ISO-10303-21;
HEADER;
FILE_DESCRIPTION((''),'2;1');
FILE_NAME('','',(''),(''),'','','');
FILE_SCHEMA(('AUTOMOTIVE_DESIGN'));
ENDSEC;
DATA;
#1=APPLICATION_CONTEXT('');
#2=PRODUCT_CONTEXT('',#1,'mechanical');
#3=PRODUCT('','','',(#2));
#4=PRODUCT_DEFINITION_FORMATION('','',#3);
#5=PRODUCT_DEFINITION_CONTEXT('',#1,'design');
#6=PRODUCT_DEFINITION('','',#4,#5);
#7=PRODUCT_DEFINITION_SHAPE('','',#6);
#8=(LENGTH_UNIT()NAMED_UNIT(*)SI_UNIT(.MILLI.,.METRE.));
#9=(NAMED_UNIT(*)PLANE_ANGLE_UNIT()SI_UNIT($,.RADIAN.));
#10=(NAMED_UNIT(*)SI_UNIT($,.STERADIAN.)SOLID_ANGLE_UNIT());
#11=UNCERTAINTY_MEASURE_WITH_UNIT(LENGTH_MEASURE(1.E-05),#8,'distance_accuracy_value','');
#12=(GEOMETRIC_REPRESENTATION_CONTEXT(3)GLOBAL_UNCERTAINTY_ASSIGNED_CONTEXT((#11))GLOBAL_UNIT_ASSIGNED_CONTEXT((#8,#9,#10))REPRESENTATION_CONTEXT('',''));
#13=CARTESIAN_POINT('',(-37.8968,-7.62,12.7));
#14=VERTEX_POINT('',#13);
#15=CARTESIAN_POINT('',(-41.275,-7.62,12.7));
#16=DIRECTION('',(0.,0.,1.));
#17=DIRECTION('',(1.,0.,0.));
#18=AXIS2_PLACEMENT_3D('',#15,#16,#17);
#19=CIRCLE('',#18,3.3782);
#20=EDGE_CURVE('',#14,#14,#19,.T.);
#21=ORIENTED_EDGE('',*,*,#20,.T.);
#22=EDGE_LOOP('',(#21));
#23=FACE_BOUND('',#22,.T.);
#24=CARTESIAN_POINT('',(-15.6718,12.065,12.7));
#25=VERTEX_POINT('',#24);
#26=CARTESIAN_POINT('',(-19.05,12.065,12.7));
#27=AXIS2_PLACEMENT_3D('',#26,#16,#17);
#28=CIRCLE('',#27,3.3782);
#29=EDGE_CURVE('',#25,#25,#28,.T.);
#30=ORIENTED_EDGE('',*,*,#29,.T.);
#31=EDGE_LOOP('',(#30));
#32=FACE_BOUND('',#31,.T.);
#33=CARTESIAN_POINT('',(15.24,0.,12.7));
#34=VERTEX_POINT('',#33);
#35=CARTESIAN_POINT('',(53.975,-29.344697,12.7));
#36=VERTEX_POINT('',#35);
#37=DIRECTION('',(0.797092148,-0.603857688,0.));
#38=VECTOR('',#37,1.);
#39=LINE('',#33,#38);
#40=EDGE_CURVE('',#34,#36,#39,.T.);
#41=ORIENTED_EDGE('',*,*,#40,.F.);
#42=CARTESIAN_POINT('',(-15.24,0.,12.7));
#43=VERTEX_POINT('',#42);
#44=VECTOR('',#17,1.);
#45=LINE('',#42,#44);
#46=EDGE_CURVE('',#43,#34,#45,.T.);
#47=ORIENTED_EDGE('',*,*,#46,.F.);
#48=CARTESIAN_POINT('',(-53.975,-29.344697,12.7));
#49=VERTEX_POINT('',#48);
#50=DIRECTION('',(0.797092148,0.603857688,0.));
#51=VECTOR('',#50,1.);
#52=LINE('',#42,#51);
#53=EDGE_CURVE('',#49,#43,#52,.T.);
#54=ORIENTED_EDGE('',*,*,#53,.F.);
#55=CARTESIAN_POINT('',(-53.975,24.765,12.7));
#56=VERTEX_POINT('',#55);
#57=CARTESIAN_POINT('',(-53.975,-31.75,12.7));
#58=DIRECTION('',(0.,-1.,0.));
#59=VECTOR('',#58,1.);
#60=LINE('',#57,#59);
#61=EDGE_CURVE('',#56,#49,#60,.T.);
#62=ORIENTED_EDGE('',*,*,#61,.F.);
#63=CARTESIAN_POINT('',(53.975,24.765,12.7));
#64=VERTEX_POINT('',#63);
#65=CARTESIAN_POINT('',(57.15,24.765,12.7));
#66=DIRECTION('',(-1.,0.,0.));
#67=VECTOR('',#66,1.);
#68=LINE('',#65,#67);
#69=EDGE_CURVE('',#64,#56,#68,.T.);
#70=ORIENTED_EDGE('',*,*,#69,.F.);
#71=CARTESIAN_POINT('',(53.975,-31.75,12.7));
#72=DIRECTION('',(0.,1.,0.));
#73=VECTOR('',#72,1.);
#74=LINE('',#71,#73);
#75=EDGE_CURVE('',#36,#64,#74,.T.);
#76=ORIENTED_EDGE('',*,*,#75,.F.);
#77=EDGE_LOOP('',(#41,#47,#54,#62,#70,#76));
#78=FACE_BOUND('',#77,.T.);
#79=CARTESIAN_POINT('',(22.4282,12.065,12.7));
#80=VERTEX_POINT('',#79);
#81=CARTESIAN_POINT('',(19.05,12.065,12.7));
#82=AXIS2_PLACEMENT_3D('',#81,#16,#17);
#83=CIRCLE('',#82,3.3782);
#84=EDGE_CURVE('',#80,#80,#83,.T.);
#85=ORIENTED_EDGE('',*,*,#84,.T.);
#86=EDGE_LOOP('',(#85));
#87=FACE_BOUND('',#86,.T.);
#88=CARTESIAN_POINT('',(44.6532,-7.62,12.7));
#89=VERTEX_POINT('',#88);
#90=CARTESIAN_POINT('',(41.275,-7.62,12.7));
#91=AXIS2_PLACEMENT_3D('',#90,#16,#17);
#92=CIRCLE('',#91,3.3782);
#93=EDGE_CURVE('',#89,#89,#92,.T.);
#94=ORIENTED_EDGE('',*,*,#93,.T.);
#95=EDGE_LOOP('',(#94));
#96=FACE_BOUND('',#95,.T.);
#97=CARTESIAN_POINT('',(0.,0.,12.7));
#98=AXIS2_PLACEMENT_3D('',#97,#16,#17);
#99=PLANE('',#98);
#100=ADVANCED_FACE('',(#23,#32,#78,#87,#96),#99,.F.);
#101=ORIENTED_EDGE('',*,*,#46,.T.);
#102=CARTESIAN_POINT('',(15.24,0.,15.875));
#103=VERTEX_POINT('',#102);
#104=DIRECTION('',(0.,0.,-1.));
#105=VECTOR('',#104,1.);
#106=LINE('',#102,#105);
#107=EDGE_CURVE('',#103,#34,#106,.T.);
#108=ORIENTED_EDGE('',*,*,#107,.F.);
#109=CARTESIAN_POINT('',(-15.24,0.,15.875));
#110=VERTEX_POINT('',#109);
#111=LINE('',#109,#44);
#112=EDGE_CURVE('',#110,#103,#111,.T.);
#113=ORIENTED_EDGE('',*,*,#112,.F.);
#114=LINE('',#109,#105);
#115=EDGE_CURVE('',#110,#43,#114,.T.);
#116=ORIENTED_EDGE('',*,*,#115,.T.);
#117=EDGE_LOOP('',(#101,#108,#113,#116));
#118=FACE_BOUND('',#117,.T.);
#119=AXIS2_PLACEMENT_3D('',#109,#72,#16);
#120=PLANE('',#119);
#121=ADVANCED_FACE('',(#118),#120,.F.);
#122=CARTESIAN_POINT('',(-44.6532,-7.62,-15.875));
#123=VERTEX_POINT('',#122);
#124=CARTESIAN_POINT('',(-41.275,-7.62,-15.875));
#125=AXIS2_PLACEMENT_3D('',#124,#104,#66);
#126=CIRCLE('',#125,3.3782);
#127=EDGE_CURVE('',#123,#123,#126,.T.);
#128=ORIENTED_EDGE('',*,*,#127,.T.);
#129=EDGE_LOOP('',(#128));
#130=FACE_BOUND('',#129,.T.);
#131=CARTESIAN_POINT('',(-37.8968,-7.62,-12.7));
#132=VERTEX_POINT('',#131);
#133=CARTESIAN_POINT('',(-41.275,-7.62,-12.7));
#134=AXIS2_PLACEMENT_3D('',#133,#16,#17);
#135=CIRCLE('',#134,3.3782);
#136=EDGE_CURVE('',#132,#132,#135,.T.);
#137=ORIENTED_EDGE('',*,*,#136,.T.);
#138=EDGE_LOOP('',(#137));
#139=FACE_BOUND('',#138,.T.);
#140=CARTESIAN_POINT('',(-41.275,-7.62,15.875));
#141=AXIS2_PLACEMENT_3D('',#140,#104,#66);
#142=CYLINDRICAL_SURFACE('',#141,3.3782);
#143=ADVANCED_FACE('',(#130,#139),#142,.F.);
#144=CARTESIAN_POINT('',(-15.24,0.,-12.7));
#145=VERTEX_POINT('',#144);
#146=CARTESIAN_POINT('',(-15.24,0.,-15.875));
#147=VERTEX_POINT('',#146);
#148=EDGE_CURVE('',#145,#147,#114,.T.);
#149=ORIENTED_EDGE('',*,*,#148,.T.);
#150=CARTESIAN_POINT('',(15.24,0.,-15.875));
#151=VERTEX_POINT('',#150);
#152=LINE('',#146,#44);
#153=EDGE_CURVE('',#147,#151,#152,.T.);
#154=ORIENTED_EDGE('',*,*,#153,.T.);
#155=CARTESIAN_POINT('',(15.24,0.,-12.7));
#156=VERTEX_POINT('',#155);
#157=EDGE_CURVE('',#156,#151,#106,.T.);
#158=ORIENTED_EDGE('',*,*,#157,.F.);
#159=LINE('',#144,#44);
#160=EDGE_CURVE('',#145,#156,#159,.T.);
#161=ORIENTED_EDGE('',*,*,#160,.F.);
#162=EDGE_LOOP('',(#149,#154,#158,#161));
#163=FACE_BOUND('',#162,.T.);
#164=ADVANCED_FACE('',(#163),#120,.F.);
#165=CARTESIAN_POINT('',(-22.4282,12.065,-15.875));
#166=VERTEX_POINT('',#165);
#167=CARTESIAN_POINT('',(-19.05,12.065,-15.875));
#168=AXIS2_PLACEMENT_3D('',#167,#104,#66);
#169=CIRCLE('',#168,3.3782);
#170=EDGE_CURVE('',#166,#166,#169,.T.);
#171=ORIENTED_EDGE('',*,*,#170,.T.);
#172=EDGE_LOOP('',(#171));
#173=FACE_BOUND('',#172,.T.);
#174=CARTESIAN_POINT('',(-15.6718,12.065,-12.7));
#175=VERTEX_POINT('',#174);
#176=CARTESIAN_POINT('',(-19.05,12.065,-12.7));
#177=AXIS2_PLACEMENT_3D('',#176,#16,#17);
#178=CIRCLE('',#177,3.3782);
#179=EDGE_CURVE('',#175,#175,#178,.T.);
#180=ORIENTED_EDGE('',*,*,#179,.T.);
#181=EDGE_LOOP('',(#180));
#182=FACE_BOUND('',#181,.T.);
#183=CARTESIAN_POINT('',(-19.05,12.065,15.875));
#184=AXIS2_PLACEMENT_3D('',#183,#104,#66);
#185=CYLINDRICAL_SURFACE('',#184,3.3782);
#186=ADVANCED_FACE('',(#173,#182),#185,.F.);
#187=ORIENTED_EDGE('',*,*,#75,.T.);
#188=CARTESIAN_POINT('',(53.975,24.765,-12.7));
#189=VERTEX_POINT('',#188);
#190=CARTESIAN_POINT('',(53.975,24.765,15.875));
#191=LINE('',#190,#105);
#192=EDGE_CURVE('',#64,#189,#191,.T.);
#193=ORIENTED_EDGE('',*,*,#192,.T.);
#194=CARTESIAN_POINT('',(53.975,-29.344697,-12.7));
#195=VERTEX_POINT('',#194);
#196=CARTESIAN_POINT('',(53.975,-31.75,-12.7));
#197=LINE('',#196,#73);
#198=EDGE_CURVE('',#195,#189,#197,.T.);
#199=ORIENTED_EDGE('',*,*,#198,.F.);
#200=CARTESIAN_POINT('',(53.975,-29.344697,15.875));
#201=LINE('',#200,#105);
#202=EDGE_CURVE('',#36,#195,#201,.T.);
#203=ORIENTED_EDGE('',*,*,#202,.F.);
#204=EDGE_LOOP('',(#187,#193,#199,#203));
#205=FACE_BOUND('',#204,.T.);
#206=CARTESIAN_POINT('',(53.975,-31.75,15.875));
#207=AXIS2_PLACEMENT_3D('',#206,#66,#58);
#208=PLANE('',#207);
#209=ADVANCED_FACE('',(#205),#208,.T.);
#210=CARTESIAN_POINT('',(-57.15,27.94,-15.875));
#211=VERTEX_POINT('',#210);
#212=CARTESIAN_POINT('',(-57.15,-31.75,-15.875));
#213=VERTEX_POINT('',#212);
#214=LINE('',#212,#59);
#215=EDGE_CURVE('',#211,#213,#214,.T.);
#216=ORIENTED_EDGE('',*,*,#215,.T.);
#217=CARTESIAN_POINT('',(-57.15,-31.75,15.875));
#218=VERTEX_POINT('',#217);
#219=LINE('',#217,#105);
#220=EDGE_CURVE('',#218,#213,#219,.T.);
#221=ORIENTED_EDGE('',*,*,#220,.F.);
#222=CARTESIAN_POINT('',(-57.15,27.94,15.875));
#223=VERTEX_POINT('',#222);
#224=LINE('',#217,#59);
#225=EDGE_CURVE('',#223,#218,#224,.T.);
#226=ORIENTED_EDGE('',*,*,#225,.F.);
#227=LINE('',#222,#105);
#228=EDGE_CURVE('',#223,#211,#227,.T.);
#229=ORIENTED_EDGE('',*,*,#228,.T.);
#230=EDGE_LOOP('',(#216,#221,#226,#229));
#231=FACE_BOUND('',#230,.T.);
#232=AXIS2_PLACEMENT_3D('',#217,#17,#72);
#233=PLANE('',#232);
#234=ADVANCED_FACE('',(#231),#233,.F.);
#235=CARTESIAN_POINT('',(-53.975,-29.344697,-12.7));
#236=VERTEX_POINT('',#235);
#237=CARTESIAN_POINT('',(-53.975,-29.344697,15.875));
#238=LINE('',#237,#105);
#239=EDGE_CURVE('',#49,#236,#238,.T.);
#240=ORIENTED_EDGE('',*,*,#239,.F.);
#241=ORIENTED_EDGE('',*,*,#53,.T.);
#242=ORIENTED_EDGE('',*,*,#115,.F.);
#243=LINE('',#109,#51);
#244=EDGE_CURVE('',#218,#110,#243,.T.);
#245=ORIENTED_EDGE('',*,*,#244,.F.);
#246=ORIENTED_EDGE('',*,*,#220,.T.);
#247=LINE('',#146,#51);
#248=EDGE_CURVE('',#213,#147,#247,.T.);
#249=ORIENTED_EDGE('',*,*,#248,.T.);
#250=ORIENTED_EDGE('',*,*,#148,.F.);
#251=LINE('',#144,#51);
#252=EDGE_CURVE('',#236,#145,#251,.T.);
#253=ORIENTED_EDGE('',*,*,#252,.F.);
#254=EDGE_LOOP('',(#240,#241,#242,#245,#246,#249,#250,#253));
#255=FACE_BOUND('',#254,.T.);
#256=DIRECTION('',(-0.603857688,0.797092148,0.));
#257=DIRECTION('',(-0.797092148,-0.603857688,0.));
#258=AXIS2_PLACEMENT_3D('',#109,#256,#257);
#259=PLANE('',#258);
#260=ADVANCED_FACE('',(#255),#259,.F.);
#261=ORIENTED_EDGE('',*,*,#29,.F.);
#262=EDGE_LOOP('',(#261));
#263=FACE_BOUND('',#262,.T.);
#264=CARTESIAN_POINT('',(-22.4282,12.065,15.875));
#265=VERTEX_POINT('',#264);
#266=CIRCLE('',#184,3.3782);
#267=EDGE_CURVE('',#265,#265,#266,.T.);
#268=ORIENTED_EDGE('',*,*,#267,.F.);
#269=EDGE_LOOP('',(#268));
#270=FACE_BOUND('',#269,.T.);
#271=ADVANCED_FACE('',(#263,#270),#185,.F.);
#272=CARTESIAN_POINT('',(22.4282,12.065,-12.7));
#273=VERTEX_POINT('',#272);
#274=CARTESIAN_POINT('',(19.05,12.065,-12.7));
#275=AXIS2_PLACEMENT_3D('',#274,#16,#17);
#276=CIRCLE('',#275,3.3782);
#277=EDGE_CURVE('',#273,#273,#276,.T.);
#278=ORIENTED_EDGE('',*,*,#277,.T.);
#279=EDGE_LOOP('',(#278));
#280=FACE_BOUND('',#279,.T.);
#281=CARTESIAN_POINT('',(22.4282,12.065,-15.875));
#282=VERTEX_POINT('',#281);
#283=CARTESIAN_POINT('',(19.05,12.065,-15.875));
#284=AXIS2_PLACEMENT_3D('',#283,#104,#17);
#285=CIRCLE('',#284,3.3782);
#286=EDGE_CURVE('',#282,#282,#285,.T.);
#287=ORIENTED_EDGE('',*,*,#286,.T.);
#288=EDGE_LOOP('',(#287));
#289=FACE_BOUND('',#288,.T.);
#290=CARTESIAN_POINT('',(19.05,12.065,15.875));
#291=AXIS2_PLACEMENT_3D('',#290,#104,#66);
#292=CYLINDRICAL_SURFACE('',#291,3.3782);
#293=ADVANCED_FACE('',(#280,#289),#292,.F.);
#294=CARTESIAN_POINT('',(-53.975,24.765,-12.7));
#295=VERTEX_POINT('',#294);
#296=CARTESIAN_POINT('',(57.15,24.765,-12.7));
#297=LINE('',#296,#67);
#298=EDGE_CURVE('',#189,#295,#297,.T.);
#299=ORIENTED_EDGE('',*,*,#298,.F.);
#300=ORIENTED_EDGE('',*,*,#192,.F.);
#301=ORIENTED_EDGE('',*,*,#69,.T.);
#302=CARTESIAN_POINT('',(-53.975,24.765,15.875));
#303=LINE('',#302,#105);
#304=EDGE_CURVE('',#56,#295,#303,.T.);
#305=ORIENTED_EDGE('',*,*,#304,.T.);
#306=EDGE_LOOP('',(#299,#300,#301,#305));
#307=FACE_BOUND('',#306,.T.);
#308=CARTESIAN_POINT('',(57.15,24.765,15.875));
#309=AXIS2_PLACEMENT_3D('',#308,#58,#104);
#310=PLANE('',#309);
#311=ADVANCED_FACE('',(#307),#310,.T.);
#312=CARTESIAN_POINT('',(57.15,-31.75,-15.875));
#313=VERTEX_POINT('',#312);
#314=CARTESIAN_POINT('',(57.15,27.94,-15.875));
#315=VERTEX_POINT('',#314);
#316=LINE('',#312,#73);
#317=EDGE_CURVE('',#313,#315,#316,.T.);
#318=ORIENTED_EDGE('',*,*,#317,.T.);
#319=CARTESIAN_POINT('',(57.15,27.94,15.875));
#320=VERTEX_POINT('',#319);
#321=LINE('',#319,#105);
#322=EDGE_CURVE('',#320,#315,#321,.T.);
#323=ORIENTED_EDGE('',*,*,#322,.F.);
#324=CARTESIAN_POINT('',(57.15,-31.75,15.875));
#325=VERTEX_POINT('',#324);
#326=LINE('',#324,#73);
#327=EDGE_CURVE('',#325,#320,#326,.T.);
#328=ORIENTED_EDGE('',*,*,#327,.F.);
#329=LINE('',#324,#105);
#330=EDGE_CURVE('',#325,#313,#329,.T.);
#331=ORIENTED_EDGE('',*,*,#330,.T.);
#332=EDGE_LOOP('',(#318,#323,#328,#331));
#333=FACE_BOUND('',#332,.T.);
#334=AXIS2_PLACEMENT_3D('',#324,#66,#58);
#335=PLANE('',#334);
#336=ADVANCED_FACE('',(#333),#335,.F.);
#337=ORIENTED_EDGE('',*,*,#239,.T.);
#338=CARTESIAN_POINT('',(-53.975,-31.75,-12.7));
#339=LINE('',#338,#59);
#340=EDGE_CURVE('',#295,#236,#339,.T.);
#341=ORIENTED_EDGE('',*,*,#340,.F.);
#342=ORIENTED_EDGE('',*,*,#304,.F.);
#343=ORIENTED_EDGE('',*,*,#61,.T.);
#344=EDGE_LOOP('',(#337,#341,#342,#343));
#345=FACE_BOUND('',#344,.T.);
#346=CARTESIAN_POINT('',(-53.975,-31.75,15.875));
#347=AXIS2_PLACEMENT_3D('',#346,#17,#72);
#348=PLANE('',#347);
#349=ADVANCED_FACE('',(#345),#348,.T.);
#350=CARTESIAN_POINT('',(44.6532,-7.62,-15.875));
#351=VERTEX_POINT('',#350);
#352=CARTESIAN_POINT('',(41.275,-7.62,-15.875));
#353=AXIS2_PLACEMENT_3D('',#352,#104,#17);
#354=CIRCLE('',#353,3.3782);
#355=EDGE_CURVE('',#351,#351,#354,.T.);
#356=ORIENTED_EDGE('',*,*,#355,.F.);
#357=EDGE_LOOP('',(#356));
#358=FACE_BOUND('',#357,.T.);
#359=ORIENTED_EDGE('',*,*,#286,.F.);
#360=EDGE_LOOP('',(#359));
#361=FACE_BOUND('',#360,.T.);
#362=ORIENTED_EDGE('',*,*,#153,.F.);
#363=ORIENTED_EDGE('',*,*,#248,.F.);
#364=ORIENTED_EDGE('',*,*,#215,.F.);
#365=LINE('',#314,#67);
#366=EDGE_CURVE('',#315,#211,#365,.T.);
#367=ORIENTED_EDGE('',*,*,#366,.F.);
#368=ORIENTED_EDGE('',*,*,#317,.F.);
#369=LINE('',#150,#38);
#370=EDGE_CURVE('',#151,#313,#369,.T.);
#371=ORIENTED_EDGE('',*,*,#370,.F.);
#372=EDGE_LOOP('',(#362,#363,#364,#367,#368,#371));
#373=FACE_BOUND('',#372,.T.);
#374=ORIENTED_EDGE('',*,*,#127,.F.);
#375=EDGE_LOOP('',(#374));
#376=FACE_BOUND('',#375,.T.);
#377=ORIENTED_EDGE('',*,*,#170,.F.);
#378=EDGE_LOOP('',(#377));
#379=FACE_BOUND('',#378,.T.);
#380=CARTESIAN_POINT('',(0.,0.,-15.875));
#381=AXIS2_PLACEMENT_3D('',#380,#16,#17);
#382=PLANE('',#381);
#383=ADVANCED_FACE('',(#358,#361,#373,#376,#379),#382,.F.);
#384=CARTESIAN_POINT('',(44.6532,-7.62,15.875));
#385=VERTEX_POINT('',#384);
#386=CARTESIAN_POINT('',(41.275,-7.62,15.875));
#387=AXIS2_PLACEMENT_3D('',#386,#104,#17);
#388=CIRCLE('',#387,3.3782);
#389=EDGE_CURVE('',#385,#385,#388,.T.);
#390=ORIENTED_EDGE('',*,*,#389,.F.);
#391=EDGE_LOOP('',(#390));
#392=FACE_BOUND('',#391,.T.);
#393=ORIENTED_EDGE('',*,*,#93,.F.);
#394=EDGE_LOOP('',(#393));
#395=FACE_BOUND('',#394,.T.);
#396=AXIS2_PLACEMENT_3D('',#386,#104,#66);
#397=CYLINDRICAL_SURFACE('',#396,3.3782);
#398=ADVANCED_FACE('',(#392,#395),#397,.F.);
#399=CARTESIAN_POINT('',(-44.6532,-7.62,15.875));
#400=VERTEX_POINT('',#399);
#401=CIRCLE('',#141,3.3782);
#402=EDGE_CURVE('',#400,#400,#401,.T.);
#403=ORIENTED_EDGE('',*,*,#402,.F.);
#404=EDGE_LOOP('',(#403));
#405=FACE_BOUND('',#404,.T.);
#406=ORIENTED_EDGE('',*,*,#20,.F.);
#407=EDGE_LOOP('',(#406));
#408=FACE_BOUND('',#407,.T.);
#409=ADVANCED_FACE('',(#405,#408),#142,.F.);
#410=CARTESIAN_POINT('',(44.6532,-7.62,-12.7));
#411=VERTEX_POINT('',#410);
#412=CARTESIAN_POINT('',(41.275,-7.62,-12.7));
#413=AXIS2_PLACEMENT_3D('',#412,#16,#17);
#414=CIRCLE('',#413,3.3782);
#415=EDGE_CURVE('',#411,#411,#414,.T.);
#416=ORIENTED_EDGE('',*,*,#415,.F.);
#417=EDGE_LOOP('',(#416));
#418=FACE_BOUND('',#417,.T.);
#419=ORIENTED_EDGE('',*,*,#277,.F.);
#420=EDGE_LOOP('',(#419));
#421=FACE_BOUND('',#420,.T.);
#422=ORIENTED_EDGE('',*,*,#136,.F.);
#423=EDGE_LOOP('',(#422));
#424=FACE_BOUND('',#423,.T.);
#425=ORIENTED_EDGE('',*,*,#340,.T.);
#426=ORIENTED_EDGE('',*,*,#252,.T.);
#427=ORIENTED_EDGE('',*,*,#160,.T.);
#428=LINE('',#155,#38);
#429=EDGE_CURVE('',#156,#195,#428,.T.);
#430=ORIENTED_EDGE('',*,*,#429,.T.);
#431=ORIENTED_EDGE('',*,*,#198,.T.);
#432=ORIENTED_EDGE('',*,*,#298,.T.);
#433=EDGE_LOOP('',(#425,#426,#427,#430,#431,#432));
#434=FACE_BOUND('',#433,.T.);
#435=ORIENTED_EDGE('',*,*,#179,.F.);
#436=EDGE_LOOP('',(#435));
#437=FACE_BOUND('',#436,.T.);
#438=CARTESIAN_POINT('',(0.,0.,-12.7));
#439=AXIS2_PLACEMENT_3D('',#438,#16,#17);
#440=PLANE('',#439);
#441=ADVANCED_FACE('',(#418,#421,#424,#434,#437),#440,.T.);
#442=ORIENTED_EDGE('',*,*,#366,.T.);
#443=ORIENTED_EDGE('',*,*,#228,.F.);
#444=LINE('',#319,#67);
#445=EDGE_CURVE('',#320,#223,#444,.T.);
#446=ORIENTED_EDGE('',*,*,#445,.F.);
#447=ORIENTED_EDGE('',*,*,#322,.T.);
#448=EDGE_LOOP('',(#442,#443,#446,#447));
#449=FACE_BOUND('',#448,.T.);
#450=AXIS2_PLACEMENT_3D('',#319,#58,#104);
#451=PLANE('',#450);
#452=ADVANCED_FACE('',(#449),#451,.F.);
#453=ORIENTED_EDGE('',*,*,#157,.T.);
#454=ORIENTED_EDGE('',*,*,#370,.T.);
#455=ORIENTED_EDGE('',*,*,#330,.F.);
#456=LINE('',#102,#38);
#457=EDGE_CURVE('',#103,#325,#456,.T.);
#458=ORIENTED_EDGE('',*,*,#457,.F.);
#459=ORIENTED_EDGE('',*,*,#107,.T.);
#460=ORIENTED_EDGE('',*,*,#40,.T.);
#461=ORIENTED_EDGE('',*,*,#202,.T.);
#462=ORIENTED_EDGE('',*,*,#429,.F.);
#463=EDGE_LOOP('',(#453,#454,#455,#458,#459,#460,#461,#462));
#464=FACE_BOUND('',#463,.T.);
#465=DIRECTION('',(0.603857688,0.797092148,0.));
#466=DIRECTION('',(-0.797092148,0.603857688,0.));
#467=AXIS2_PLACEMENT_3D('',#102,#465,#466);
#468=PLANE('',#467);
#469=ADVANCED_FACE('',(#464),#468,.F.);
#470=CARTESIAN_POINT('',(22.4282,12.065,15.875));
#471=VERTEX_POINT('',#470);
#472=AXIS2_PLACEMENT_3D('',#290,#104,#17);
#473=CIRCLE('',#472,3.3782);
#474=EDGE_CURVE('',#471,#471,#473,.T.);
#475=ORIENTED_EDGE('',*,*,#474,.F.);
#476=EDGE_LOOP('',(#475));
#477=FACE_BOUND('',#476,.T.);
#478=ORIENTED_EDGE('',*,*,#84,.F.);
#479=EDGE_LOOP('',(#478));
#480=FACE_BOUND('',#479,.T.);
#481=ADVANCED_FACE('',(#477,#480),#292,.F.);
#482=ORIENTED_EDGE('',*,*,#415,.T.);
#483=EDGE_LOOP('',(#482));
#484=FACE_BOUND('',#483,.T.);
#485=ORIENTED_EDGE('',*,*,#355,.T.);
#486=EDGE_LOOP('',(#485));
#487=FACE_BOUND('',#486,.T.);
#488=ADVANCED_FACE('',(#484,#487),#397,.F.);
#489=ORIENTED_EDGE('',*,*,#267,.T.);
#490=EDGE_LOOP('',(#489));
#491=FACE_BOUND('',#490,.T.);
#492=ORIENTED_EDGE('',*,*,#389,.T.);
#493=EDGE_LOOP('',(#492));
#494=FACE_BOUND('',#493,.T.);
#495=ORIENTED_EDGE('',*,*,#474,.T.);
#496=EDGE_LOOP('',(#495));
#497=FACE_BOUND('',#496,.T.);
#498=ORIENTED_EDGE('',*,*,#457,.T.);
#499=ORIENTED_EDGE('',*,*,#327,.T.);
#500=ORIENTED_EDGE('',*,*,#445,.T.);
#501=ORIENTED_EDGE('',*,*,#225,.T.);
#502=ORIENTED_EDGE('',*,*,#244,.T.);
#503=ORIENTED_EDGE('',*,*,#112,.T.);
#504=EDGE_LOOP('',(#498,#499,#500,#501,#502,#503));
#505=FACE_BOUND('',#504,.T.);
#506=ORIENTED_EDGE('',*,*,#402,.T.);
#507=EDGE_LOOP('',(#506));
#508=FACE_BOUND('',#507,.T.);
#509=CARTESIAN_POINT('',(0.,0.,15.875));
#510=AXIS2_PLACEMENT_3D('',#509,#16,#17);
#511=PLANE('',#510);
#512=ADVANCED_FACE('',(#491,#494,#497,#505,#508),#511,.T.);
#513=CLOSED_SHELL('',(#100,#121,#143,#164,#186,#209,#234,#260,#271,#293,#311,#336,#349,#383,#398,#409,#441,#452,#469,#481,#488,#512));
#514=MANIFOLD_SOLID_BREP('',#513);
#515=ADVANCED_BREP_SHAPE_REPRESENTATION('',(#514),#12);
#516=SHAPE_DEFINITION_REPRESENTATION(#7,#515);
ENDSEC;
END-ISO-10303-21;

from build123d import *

# Parameters (mm, degrees)
BOSS_EXTRUDE2_DEPTH = 15.875
SHELL2_T            = -3.175
SKETCH3_R           = 3.3782
CUT_EXTRUDE1_DEPTH  = 32.75


with BuildPart() as part:
    # Sketch2 → Boss-Extrude2 (new body, symmetric)
    with BuildSketch(Plane.XY):
        Polygon((-15.24, 0), (15.24, 0), (57.15, -31.75), (57.15, 27.94), (-57.15, 27.94), (-57.15, -31.75), align=None)
    extrude(amount=BOSS_EXTRUDE2_DEPTH, both=True)

    # Shell2
    shell2_openings = [part.faces().sort_by_distance(p)[0] for p in [
        (36.195, -15.875, 0),
        (0, 0, 0),
        (-36.195, -15.875, 0),
    ]]
    offset(amount=SHELL2_T, openings=shell2_openings, kind=Kind.INTERSECTION)

    # Sketch3 → Cut-Extrude1 (cut, through all)
    with BuildSketch(Plane(origin=(0, 0, -15.875), x_dir=(-1, 0, 0), z_dir=(0, 0, -1))):
        with Locations((41.275, -7.62)):
            Circle(SKETCH3_R)
        with Locations((19.05, 12.065)):
            Circle(SKETCH3_R)
        with Locations((-19.05, 12.065)):
            Circle(SKETCH3_R)
        with Locations((-41.275, -7.62)):
            Circle(SKETCH3_R)
    extrude(amount=-CUT_EXTRUDE1_DEPTH, mode=Mode.SUBTRACT)


solid = part.part
